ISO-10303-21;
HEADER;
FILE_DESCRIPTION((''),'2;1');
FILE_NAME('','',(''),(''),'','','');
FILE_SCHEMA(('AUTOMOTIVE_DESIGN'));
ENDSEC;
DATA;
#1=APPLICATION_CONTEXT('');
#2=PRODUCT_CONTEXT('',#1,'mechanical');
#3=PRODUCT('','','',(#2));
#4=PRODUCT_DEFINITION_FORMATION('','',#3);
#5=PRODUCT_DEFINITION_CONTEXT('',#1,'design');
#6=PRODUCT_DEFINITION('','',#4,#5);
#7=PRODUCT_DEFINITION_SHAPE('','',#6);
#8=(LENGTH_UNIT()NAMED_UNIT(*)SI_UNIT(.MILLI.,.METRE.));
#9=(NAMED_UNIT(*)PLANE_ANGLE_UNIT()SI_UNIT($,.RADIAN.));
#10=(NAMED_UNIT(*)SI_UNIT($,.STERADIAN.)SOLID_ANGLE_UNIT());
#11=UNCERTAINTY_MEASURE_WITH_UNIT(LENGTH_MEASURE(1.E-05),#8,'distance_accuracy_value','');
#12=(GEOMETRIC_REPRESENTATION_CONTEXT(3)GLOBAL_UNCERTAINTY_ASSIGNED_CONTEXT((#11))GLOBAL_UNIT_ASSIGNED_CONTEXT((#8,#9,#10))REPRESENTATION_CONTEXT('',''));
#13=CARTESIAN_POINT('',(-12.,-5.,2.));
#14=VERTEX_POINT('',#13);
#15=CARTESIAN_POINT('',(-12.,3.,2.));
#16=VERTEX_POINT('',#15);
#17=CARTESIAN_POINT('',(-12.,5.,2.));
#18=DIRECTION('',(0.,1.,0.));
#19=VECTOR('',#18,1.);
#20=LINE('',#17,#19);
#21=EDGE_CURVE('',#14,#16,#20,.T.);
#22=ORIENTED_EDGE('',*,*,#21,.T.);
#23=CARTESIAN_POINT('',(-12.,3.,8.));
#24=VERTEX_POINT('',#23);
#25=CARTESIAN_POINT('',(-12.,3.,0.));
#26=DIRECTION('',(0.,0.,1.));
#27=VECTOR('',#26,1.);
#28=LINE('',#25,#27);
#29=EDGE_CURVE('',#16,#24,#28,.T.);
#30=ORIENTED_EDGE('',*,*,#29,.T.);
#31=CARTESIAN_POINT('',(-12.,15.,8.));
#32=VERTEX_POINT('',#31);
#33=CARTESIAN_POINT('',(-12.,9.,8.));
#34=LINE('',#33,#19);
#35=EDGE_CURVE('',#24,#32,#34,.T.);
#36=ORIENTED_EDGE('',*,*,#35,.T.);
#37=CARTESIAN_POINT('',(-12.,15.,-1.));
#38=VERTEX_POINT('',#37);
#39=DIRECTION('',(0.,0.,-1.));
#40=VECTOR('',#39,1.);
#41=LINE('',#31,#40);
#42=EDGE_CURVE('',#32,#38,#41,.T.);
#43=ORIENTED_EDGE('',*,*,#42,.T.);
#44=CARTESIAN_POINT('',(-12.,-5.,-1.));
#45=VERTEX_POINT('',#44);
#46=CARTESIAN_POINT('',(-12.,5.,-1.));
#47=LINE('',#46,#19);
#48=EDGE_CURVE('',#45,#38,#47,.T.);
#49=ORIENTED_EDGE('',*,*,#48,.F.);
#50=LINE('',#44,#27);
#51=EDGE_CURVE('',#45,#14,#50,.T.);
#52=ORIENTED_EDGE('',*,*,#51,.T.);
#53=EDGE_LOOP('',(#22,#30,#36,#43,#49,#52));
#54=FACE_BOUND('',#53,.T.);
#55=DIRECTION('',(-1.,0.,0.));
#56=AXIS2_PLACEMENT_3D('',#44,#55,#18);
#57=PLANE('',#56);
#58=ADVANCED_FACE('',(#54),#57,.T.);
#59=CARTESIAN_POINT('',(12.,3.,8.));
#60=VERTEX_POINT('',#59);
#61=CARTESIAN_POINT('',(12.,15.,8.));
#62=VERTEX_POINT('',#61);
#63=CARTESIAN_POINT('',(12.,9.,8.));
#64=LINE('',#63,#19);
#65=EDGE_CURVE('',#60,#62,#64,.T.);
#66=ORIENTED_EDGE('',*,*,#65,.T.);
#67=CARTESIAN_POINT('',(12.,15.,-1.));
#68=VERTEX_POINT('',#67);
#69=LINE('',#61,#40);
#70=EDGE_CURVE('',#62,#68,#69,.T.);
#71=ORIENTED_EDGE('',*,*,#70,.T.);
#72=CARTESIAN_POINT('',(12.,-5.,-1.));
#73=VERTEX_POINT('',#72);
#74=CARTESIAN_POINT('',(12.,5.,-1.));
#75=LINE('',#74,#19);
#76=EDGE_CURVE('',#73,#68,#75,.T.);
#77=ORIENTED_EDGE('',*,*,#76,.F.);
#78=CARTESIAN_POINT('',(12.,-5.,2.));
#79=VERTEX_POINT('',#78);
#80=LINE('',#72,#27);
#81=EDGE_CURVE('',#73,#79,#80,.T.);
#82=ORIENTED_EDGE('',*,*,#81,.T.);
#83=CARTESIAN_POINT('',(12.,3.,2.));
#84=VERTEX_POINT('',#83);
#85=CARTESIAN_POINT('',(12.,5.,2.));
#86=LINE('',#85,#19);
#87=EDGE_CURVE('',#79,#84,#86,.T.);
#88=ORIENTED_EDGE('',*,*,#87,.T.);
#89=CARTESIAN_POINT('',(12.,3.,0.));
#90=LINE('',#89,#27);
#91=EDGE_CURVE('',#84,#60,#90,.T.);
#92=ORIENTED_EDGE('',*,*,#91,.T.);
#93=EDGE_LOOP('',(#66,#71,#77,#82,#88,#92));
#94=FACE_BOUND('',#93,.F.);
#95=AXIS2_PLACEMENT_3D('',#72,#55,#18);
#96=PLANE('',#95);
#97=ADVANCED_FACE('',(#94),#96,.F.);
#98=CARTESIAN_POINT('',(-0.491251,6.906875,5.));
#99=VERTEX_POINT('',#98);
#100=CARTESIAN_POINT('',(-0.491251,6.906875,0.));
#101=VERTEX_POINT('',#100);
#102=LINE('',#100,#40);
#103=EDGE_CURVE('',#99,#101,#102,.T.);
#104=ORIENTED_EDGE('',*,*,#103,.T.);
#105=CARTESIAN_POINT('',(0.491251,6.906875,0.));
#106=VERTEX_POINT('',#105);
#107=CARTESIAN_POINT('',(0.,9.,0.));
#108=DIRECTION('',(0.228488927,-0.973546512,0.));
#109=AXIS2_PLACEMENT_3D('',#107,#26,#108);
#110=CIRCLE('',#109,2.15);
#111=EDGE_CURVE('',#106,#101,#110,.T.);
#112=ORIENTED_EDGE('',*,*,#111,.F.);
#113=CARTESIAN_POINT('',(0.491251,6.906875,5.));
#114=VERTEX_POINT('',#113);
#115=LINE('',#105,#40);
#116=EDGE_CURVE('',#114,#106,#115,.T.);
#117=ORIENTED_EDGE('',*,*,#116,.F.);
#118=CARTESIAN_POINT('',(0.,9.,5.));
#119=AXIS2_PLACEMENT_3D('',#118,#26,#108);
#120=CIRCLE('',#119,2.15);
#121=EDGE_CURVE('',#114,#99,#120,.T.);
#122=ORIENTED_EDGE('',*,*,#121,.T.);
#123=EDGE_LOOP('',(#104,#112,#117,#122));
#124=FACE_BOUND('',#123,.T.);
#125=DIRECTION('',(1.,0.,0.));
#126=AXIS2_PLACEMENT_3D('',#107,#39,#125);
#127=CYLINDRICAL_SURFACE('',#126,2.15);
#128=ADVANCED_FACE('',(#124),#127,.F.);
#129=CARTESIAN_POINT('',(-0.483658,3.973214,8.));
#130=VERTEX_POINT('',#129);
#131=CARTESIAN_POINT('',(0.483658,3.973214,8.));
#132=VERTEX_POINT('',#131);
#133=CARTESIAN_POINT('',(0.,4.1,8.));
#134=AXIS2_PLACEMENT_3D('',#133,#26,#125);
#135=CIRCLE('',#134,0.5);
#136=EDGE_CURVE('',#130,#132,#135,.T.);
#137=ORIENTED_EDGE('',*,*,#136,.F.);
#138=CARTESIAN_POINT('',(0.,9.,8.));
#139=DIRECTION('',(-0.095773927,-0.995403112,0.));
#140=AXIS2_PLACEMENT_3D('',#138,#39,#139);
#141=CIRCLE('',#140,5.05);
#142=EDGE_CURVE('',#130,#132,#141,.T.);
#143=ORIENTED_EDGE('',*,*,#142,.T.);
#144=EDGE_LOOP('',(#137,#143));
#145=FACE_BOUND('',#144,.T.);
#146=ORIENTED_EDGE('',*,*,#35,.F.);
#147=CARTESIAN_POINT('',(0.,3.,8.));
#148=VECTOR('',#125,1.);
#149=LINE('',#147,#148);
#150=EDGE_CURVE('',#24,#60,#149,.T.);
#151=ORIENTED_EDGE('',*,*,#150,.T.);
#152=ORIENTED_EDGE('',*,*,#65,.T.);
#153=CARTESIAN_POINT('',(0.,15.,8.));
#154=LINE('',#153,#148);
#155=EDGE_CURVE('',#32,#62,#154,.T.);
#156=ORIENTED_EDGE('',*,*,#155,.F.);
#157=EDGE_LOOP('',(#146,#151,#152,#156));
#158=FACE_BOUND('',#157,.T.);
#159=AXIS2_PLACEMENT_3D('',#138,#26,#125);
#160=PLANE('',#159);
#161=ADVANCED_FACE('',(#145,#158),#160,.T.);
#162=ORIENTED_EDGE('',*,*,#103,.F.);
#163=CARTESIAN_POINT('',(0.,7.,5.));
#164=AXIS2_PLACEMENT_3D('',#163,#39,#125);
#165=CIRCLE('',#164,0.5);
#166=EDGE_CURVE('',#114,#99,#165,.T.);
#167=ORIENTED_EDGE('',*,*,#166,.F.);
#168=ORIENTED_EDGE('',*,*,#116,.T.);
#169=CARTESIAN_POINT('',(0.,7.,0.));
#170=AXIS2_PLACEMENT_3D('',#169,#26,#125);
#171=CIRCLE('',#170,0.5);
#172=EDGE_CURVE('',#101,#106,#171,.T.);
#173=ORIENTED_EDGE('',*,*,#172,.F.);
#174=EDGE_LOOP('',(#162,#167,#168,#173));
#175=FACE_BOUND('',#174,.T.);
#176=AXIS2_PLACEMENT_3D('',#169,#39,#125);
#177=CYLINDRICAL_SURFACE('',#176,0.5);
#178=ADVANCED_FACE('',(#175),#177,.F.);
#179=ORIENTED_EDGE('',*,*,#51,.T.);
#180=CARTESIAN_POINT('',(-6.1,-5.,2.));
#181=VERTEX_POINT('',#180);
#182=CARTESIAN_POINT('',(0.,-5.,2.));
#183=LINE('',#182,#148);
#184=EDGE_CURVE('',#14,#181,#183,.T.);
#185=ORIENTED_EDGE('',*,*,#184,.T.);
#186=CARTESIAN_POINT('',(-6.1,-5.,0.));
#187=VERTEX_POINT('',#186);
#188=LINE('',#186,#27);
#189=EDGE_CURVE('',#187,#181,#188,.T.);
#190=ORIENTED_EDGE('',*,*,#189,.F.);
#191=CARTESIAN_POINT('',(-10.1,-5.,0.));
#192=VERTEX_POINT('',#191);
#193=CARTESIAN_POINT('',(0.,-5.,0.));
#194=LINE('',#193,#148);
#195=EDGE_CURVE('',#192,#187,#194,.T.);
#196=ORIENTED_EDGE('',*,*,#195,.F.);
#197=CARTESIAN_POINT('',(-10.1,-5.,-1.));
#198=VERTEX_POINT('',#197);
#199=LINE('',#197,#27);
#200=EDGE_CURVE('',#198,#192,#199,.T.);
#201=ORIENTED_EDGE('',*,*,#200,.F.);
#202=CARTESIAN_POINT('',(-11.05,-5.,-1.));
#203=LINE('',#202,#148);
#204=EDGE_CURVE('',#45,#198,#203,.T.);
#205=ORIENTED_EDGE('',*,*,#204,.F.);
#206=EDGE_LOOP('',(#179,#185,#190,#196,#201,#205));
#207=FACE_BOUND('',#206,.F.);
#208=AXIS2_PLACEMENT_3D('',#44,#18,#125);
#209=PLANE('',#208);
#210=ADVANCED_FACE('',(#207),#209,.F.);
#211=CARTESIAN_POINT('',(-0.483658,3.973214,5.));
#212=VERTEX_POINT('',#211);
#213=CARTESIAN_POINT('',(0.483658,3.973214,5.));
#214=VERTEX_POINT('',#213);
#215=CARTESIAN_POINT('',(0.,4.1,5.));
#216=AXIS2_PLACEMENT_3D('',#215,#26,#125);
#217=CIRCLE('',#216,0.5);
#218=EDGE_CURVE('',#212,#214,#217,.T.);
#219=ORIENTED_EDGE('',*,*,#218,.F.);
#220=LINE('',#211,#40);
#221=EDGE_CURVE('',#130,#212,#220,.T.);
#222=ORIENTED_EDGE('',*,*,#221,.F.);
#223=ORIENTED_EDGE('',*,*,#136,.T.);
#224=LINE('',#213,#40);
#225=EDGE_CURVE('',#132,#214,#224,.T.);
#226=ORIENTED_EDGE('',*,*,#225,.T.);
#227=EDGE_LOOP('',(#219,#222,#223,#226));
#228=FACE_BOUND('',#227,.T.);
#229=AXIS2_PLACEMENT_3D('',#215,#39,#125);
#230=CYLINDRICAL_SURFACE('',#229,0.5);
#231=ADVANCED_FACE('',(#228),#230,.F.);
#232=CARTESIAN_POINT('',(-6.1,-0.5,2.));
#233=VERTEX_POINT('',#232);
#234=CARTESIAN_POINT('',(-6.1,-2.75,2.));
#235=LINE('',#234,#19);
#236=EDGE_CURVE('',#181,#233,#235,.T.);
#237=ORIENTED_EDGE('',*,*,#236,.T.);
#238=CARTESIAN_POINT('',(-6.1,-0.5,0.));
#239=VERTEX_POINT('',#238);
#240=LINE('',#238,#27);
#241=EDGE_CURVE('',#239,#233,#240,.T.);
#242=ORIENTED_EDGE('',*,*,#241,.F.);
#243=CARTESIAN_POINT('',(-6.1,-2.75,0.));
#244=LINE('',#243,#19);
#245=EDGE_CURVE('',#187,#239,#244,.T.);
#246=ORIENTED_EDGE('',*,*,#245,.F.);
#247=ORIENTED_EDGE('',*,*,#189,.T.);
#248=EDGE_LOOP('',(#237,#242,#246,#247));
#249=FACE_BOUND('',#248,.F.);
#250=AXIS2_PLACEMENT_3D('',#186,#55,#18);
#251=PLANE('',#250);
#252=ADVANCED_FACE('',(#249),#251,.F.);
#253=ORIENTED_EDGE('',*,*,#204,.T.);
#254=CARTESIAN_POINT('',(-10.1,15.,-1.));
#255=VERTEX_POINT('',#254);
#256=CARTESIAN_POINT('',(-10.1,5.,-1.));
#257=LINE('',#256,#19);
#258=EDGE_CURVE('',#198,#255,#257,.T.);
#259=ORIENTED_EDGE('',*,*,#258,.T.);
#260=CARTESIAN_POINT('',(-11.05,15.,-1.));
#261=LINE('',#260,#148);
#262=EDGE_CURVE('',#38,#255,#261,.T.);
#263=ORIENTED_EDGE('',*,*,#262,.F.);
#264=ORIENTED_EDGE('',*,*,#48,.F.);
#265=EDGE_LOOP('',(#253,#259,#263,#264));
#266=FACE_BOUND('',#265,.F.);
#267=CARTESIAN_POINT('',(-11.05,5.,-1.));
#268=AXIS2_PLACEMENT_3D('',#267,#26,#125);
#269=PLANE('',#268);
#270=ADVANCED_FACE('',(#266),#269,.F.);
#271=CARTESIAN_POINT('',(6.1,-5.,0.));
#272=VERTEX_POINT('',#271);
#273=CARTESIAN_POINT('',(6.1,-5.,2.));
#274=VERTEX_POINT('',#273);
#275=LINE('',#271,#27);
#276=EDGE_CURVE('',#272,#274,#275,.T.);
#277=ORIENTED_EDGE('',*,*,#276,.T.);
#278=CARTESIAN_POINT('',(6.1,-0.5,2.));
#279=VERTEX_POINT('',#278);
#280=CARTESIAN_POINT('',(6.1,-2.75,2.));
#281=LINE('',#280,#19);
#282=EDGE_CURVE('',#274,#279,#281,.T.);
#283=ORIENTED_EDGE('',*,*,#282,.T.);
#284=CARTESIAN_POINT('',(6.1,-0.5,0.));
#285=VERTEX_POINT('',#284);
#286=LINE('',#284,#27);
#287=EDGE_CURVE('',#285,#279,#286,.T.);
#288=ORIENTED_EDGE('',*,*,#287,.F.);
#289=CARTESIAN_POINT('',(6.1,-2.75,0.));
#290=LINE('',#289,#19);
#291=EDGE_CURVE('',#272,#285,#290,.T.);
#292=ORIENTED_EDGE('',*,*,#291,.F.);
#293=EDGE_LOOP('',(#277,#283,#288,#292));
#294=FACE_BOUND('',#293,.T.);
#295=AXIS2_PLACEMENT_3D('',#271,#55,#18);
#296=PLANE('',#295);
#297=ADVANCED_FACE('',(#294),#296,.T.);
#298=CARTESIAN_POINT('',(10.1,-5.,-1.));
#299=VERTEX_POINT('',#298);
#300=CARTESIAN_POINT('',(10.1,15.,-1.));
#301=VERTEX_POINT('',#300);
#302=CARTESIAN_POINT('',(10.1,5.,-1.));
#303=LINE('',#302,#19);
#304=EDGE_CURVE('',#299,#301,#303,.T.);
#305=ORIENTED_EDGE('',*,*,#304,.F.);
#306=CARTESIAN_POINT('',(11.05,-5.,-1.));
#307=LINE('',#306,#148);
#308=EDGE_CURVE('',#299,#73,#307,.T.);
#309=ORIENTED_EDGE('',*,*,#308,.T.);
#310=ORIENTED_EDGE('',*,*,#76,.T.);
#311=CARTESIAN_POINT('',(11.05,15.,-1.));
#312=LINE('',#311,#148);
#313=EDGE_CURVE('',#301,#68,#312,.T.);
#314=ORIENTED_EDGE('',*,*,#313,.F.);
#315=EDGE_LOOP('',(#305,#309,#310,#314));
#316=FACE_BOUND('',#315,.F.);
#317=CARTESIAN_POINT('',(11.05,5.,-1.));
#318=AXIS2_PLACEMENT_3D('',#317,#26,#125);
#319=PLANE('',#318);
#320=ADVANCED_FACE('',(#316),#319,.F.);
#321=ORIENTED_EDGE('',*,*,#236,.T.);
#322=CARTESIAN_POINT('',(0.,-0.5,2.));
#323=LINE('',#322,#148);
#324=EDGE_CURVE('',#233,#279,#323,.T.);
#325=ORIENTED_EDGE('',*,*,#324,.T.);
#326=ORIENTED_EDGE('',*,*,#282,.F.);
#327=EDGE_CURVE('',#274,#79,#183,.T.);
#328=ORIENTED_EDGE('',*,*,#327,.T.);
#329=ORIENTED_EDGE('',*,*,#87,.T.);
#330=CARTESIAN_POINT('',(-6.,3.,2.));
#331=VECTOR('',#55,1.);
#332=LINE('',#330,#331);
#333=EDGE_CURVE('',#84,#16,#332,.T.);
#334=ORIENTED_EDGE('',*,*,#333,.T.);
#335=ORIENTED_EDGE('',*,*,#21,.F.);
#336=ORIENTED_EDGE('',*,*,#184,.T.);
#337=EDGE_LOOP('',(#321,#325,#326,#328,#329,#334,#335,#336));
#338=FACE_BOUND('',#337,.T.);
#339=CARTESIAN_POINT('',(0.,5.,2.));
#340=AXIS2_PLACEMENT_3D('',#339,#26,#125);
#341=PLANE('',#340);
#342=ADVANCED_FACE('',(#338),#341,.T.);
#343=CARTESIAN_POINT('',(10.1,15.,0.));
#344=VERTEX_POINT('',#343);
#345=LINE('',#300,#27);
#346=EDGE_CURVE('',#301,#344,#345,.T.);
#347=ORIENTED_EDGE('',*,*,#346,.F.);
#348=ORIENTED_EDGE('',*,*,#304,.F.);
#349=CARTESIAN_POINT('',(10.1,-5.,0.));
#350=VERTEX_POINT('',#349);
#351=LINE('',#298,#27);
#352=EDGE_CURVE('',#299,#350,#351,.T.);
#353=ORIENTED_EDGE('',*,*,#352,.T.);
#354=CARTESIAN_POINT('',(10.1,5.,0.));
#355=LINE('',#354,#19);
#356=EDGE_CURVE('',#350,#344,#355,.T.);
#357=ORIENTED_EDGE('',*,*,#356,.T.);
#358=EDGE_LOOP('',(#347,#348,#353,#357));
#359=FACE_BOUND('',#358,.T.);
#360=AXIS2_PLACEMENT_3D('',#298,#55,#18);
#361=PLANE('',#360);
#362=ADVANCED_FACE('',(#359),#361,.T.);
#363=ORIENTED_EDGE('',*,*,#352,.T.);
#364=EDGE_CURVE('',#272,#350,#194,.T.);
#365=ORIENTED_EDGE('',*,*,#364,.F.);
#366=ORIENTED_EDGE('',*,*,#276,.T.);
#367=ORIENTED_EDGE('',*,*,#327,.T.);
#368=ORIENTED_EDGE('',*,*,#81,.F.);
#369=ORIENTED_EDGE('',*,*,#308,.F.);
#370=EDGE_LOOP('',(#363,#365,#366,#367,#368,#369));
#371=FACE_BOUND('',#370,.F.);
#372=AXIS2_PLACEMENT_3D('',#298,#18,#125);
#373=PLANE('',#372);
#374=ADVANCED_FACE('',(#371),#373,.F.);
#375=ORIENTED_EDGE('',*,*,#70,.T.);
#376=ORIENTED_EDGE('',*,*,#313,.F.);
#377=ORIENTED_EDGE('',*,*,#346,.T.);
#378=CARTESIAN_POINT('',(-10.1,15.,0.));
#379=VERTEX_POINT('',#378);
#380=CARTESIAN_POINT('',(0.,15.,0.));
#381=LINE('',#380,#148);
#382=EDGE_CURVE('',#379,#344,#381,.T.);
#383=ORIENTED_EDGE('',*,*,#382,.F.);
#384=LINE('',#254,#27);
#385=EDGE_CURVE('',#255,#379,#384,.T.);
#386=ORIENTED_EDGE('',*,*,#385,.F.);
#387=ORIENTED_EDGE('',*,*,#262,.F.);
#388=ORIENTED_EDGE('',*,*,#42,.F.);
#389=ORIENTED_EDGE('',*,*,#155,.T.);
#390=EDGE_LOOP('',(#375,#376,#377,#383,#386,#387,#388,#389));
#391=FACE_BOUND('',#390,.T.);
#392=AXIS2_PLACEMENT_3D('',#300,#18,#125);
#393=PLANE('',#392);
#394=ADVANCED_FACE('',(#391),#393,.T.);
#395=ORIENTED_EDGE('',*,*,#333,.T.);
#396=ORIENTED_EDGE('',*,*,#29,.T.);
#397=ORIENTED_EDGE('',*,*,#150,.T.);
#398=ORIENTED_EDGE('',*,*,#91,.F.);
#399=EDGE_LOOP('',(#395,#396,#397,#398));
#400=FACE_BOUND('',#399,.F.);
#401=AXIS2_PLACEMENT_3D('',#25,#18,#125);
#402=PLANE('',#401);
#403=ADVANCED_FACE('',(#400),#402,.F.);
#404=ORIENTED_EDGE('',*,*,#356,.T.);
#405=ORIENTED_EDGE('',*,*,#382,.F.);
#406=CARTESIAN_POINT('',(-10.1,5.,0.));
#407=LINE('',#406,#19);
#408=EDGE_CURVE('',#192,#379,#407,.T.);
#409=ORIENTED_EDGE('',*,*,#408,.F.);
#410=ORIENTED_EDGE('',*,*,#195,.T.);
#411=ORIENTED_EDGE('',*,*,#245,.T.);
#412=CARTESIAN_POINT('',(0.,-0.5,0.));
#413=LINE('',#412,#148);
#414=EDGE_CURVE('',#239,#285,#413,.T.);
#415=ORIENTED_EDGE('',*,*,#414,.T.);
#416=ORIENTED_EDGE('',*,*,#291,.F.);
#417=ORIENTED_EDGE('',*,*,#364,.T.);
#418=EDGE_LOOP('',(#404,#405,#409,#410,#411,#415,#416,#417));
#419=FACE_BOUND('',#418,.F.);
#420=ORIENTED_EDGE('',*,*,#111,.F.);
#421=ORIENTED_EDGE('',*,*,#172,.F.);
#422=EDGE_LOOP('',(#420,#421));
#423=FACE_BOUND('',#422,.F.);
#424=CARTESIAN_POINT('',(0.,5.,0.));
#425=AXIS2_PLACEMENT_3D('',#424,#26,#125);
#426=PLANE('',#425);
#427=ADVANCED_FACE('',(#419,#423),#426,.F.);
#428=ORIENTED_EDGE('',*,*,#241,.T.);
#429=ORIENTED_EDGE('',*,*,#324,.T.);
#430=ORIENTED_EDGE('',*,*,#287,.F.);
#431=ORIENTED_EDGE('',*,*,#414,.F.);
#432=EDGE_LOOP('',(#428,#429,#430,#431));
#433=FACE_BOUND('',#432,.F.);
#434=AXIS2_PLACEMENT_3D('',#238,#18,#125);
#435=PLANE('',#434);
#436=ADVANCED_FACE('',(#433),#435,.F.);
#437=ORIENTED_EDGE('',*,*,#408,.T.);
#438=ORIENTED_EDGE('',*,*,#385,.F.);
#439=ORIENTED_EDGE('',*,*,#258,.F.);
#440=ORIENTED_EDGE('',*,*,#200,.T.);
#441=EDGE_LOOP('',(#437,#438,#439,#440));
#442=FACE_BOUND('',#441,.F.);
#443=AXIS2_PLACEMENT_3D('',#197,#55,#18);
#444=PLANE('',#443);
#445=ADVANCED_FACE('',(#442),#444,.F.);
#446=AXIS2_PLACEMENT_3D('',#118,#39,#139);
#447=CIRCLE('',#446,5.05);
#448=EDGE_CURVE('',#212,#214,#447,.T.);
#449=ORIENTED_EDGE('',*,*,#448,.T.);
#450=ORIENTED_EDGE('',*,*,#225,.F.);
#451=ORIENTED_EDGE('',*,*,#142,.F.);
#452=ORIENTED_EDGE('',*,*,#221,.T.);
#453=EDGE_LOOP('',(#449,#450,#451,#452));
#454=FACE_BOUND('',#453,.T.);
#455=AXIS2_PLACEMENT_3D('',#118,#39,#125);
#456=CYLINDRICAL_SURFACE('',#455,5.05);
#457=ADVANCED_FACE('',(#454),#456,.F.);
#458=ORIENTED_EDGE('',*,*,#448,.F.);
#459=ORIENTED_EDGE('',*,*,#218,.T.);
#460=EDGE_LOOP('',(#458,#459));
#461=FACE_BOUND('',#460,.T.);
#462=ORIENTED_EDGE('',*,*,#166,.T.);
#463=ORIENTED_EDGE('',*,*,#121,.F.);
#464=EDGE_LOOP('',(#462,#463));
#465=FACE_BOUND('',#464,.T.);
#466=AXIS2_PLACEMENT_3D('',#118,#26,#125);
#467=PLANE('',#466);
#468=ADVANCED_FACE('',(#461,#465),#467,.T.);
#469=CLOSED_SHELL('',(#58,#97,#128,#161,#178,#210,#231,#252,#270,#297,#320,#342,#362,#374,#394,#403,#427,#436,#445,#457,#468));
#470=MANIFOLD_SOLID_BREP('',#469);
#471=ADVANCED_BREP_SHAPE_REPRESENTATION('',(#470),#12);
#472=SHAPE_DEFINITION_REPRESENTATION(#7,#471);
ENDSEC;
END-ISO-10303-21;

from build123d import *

# Parameters (mm, degrees)
CYLINDER_R        = 0.5
CYLINDER_DEPTH    = 8
CYLINDER006_R     = 0.5
CYLINDER006_DEPTH = 3
CYLINDER008_R     = 5.05
CYLINDER008_DEPTH = 3
CYLINDER007_R     = 2.15
CYLINDER007_DEPTH = 8
BOX006_W          = 1.9
BOX006_H          = 20
BOX006_DEPTH      = 1
BOX007_W          = 1.9
BOX007_H          = 20
BOX007_DEPTH      = 1
BOX_W             = 24
BOX_H             = 12
BOX_DEPTH         = 8
BOX001_W          = 12.2
BOX001_H          = 4.5
BOX001_DEPTH      = 2
BOX002_W          = 24
BOX002_H          = 20
BOX002_DEPTH      = 2


with BuildPart() as cylinder:
    # Cylinder → Cylinder (new body)
    with BuildSketch(Plane(origin=(0, 7, 0), x_dir=(1, 0, 0), z_dir=(0, 0, 1))):
        Circle(CYLINDER_R)
    extrude(amount=CYLINDER_DEPTH)


with BuildPart() as cylinder006:
    # Cylinder006 → Cylinder006 (new body)
    with BuildSketch(Plane(origin=(0, 4.1, 5), x_dir=(1, 0, 0), z_dir=(0, 0, 1))):
        Circle(CYLINDER006_R)
    extrude(amount=CYLINDER006_DEPTH)


with BuildPart() as cylinder008:
    # Cylinder008 → Cylinder008 (new body)
    with BuildSketch(Plane(origin=(0, 9, 5), x_dir=(1, 0, 0), z_dir=(0, 0, 1))):
        Circle(CYLINDER008_R)
    extrude(amount=CYLINDER008_DEPTH)


with BuildPart() as fusion003004:
    # Cylinder007 → Cylinder007 (new body)
    with BuildSketch(Plane(origin=(0, 9, 0), x_dir=(1, 0, 0), z_dir=(0, 0, 1))):
        Circle(CYLINDER007_R)
    extrude(amount=CYLINDER007_DEPTH)

    # Fusion003004: union Cylinder008
    add(cylinder008.part)


with BuildPart() as cube006:
    # Box006 → Box006 (new body)
    with BuildSketch(Plane(origin=(-12, -5, -1), x_dir=(1, 0, 0), z_dir=(0, 0, 1))):
        with Locations((0.95, 10)):
            Rectangle(BOX006_W, BOX006_H)
    extrude(amount=BOX006_DEPTH)


with BuildPart() as cube007:
    # Box007 → Box007 (new body)
    with BuildSketch(Plane(origin=(10.1, -5, -1), x_dir=(1, 0, 0), z_dir=(0, 0, 1))):
        with Locations((0.95, 10)):
            Rectangle(BOX007_W, BOX007_H)
    extrude(amount=BOX007_DEPTH)


with BuildPart() as cube:
    # Box → Box (new body)
    with BuildSketch(Plane(origin=(-12, 3, 0), x_dir=(1, 0, 0), z_dir=(0, 0, 1))):
        with Locations((12, 6)):
            Rectangle(BOX_W, BOX_H)
    extrude(amount=BOX_DEPTH)


with BuildPart() as ref:
    # Box001 → Box001 (new body)
    with BuildSketch(Plane(origin=(-6.1, -5, 0), x_dir=(1, 0, 0), z_dir=(0, 0, 1))):
        with Locations((6.1, 2.25)):
            Rectangle(BOX001_W, BOX001_H)
    extrude(amount=BOX001_DEPTH)


with BuildPart() as head_align_r1:
    # Box002 → Box002 (new body)
    with BuildSketch(Plane(origin=(-12, -5, 0), x_dir=(1, 0, 0), z_dir=(0, 0, 1))):
        with Locations((12, 10)):
            Rectangle(BOX002_W, BOX002_H)
    extrude(amount=BOX002_DEPTH)

    # Cut: cut ref
    add(ref.part, mode=Mode.SUBTRACT)

    # Fusion: union Cube
    add(cube.part)

    # Fusion003003: union Cube006, Cube007
    add(cube006.part)
    add(cube007.part)

    # Cut001005: cut Fusion003004
    add(fusion003004.part, mode=Mode.SUBTRACT)

    # Cut001006: cut Cylinder006
    add(cylinder006.part, mode=Mode.SUBTRACT)

    # Cut001007: cut Cylinder
    add(cylinder.part, mode=Mode.SUBTRACT)


solid = head_align_r1.part
